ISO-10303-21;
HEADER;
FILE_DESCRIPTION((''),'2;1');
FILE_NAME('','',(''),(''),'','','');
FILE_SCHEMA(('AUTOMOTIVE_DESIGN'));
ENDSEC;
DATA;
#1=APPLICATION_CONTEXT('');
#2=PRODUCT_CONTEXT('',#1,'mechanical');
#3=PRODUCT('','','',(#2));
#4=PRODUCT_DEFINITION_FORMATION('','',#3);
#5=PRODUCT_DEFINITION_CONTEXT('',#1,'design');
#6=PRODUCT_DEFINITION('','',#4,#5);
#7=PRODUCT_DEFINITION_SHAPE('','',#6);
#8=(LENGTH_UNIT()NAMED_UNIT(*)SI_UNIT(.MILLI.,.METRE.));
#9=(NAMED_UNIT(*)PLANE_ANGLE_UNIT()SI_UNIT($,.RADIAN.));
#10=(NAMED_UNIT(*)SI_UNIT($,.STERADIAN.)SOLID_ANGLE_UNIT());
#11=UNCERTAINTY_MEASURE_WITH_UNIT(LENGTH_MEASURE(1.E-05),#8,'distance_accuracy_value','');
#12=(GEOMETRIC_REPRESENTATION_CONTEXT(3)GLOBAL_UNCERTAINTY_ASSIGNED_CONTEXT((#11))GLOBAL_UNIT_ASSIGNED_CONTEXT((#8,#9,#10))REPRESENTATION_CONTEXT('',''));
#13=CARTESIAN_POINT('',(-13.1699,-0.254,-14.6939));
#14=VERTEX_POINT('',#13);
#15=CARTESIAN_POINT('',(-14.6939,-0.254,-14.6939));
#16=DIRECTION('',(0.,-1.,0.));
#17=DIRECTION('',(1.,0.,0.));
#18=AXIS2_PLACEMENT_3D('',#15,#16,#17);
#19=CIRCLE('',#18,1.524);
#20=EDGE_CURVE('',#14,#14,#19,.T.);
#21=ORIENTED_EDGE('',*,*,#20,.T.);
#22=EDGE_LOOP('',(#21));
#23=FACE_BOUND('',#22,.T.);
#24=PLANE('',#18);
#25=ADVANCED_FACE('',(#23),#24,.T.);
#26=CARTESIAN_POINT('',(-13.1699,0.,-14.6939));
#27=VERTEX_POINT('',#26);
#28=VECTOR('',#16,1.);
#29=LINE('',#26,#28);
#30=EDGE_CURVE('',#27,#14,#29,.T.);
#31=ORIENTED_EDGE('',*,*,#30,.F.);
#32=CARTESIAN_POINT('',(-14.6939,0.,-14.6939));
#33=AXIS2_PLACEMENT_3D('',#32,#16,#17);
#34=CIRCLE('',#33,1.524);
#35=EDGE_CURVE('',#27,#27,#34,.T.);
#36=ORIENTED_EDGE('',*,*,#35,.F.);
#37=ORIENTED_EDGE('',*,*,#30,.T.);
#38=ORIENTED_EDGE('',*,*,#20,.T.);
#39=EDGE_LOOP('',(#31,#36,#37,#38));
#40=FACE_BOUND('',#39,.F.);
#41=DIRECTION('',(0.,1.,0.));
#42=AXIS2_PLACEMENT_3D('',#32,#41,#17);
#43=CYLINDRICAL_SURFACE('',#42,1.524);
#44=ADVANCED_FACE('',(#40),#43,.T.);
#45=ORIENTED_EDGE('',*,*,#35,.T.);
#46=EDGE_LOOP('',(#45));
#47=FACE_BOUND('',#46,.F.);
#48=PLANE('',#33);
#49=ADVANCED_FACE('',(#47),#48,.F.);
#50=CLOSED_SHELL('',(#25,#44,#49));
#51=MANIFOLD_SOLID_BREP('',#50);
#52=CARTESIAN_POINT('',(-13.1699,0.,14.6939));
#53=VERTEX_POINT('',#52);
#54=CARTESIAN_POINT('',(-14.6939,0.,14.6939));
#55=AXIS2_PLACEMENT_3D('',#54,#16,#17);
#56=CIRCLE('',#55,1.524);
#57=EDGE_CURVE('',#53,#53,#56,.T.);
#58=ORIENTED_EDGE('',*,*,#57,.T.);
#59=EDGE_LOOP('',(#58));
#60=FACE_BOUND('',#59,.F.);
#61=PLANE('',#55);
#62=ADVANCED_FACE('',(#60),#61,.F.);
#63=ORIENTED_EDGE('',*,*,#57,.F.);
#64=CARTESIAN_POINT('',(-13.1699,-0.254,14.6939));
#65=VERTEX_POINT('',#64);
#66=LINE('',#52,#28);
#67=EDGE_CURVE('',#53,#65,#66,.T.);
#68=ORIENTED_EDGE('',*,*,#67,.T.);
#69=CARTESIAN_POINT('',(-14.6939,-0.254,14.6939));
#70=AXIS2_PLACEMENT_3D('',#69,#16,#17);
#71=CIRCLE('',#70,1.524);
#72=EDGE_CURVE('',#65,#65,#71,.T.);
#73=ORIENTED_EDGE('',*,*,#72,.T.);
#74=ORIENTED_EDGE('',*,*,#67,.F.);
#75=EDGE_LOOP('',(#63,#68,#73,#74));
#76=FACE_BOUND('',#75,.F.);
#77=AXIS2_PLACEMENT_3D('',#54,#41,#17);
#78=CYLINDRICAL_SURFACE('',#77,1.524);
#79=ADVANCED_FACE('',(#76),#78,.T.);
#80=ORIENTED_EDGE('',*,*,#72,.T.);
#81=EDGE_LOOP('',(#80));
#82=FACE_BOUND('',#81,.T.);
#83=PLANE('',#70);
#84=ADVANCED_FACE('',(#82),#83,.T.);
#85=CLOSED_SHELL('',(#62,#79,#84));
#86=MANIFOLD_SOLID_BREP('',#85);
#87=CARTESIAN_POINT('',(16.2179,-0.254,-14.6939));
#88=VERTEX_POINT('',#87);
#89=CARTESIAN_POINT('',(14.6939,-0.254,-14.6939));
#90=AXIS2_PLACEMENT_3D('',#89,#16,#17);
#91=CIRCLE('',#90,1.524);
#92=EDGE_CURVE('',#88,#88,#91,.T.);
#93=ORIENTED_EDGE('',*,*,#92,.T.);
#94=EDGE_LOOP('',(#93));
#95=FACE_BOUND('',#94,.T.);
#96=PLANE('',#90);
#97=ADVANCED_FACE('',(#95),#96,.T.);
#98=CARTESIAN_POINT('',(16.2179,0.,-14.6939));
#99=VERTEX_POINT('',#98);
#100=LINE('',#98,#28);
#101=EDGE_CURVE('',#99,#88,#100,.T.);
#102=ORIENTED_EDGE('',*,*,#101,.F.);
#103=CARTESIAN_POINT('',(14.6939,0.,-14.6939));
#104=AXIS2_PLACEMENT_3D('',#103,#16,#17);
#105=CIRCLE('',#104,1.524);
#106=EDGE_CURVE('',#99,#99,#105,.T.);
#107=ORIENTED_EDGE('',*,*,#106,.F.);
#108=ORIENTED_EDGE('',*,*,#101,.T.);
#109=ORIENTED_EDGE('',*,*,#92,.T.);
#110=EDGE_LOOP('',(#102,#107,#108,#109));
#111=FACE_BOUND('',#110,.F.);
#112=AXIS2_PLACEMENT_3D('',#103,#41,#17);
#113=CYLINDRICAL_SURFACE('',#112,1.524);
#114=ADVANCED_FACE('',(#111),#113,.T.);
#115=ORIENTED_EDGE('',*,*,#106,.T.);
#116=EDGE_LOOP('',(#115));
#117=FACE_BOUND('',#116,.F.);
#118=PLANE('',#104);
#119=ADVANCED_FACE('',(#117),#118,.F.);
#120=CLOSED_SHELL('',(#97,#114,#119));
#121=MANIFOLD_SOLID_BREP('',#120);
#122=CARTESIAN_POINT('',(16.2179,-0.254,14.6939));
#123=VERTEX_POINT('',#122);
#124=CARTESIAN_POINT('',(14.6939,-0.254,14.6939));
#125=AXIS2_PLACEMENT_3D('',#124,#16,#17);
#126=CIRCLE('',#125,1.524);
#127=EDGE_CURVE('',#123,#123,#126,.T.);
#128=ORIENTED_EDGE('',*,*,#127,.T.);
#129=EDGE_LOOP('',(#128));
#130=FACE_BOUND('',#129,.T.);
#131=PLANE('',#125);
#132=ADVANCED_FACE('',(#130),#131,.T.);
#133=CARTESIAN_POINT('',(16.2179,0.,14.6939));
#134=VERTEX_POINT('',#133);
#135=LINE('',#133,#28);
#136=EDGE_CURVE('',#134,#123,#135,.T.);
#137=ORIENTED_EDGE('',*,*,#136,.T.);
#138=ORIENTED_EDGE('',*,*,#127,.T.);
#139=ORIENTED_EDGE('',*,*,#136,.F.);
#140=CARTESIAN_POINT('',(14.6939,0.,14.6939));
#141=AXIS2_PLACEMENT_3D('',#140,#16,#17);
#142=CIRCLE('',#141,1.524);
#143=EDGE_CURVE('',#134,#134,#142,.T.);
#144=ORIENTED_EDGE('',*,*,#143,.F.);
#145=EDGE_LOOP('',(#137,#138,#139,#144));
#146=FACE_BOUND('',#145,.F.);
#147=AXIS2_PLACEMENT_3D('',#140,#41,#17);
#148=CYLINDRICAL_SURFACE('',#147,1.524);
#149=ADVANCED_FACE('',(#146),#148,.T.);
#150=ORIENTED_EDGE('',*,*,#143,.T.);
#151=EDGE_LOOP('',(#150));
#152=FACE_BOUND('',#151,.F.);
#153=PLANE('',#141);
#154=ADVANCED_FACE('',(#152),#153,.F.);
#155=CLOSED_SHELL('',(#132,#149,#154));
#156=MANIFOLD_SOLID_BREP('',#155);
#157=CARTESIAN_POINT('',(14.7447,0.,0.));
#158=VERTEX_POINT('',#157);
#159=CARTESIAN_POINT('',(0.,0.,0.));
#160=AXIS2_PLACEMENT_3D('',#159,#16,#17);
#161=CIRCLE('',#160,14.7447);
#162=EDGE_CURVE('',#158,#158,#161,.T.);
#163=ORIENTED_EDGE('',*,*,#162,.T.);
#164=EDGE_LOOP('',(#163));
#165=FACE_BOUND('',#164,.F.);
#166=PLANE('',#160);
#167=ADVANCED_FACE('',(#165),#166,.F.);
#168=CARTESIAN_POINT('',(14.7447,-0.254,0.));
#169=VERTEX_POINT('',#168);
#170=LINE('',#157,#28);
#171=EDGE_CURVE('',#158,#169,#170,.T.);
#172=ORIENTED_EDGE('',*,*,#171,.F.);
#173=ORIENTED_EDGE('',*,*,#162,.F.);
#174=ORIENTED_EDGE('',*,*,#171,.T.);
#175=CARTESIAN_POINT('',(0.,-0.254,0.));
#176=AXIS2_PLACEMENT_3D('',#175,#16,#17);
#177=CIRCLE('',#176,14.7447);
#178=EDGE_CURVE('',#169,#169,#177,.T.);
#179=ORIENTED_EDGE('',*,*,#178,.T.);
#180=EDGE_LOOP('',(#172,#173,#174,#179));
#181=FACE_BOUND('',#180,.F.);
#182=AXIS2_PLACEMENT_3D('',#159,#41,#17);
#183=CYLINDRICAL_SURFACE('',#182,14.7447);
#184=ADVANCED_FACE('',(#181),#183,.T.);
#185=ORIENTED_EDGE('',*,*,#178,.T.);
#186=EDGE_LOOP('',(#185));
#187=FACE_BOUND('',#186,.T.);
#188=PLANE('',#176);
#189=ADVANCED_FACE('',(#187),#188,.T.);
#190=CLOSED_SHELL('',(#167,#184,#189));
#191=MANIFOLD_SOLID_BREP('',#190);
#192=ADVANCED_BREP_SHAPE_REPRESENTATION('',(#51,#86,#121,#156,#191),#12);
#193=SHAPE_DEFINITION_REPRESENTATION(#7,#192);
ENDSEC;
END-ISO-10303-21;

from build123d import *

# Parameters (mm, degrees)
F0_R     = 14.7447
F0_R_2   = 1.524
F1_DEPTH = 0.254


with BuildPart() as f1:
    # F0 (on Front) → F1 (new body)
    with BuildSketch(Plane.XZ):
        Circle(F0_R)
        with Locations((-14.6939, 14.6939)):
            Circle(F0_R_2)
        with Locations((14.6939, 14.6939)):
            Circle(F0_R_2)
        with Locations((14.6939, -14.6939)):
            Circle(F0_R_2)
        with Locations((-14.6939, -14.6939)):
            Circle(F0_R_2)
    extrude(amount=F1_DEPTH)


solid = f1.part
